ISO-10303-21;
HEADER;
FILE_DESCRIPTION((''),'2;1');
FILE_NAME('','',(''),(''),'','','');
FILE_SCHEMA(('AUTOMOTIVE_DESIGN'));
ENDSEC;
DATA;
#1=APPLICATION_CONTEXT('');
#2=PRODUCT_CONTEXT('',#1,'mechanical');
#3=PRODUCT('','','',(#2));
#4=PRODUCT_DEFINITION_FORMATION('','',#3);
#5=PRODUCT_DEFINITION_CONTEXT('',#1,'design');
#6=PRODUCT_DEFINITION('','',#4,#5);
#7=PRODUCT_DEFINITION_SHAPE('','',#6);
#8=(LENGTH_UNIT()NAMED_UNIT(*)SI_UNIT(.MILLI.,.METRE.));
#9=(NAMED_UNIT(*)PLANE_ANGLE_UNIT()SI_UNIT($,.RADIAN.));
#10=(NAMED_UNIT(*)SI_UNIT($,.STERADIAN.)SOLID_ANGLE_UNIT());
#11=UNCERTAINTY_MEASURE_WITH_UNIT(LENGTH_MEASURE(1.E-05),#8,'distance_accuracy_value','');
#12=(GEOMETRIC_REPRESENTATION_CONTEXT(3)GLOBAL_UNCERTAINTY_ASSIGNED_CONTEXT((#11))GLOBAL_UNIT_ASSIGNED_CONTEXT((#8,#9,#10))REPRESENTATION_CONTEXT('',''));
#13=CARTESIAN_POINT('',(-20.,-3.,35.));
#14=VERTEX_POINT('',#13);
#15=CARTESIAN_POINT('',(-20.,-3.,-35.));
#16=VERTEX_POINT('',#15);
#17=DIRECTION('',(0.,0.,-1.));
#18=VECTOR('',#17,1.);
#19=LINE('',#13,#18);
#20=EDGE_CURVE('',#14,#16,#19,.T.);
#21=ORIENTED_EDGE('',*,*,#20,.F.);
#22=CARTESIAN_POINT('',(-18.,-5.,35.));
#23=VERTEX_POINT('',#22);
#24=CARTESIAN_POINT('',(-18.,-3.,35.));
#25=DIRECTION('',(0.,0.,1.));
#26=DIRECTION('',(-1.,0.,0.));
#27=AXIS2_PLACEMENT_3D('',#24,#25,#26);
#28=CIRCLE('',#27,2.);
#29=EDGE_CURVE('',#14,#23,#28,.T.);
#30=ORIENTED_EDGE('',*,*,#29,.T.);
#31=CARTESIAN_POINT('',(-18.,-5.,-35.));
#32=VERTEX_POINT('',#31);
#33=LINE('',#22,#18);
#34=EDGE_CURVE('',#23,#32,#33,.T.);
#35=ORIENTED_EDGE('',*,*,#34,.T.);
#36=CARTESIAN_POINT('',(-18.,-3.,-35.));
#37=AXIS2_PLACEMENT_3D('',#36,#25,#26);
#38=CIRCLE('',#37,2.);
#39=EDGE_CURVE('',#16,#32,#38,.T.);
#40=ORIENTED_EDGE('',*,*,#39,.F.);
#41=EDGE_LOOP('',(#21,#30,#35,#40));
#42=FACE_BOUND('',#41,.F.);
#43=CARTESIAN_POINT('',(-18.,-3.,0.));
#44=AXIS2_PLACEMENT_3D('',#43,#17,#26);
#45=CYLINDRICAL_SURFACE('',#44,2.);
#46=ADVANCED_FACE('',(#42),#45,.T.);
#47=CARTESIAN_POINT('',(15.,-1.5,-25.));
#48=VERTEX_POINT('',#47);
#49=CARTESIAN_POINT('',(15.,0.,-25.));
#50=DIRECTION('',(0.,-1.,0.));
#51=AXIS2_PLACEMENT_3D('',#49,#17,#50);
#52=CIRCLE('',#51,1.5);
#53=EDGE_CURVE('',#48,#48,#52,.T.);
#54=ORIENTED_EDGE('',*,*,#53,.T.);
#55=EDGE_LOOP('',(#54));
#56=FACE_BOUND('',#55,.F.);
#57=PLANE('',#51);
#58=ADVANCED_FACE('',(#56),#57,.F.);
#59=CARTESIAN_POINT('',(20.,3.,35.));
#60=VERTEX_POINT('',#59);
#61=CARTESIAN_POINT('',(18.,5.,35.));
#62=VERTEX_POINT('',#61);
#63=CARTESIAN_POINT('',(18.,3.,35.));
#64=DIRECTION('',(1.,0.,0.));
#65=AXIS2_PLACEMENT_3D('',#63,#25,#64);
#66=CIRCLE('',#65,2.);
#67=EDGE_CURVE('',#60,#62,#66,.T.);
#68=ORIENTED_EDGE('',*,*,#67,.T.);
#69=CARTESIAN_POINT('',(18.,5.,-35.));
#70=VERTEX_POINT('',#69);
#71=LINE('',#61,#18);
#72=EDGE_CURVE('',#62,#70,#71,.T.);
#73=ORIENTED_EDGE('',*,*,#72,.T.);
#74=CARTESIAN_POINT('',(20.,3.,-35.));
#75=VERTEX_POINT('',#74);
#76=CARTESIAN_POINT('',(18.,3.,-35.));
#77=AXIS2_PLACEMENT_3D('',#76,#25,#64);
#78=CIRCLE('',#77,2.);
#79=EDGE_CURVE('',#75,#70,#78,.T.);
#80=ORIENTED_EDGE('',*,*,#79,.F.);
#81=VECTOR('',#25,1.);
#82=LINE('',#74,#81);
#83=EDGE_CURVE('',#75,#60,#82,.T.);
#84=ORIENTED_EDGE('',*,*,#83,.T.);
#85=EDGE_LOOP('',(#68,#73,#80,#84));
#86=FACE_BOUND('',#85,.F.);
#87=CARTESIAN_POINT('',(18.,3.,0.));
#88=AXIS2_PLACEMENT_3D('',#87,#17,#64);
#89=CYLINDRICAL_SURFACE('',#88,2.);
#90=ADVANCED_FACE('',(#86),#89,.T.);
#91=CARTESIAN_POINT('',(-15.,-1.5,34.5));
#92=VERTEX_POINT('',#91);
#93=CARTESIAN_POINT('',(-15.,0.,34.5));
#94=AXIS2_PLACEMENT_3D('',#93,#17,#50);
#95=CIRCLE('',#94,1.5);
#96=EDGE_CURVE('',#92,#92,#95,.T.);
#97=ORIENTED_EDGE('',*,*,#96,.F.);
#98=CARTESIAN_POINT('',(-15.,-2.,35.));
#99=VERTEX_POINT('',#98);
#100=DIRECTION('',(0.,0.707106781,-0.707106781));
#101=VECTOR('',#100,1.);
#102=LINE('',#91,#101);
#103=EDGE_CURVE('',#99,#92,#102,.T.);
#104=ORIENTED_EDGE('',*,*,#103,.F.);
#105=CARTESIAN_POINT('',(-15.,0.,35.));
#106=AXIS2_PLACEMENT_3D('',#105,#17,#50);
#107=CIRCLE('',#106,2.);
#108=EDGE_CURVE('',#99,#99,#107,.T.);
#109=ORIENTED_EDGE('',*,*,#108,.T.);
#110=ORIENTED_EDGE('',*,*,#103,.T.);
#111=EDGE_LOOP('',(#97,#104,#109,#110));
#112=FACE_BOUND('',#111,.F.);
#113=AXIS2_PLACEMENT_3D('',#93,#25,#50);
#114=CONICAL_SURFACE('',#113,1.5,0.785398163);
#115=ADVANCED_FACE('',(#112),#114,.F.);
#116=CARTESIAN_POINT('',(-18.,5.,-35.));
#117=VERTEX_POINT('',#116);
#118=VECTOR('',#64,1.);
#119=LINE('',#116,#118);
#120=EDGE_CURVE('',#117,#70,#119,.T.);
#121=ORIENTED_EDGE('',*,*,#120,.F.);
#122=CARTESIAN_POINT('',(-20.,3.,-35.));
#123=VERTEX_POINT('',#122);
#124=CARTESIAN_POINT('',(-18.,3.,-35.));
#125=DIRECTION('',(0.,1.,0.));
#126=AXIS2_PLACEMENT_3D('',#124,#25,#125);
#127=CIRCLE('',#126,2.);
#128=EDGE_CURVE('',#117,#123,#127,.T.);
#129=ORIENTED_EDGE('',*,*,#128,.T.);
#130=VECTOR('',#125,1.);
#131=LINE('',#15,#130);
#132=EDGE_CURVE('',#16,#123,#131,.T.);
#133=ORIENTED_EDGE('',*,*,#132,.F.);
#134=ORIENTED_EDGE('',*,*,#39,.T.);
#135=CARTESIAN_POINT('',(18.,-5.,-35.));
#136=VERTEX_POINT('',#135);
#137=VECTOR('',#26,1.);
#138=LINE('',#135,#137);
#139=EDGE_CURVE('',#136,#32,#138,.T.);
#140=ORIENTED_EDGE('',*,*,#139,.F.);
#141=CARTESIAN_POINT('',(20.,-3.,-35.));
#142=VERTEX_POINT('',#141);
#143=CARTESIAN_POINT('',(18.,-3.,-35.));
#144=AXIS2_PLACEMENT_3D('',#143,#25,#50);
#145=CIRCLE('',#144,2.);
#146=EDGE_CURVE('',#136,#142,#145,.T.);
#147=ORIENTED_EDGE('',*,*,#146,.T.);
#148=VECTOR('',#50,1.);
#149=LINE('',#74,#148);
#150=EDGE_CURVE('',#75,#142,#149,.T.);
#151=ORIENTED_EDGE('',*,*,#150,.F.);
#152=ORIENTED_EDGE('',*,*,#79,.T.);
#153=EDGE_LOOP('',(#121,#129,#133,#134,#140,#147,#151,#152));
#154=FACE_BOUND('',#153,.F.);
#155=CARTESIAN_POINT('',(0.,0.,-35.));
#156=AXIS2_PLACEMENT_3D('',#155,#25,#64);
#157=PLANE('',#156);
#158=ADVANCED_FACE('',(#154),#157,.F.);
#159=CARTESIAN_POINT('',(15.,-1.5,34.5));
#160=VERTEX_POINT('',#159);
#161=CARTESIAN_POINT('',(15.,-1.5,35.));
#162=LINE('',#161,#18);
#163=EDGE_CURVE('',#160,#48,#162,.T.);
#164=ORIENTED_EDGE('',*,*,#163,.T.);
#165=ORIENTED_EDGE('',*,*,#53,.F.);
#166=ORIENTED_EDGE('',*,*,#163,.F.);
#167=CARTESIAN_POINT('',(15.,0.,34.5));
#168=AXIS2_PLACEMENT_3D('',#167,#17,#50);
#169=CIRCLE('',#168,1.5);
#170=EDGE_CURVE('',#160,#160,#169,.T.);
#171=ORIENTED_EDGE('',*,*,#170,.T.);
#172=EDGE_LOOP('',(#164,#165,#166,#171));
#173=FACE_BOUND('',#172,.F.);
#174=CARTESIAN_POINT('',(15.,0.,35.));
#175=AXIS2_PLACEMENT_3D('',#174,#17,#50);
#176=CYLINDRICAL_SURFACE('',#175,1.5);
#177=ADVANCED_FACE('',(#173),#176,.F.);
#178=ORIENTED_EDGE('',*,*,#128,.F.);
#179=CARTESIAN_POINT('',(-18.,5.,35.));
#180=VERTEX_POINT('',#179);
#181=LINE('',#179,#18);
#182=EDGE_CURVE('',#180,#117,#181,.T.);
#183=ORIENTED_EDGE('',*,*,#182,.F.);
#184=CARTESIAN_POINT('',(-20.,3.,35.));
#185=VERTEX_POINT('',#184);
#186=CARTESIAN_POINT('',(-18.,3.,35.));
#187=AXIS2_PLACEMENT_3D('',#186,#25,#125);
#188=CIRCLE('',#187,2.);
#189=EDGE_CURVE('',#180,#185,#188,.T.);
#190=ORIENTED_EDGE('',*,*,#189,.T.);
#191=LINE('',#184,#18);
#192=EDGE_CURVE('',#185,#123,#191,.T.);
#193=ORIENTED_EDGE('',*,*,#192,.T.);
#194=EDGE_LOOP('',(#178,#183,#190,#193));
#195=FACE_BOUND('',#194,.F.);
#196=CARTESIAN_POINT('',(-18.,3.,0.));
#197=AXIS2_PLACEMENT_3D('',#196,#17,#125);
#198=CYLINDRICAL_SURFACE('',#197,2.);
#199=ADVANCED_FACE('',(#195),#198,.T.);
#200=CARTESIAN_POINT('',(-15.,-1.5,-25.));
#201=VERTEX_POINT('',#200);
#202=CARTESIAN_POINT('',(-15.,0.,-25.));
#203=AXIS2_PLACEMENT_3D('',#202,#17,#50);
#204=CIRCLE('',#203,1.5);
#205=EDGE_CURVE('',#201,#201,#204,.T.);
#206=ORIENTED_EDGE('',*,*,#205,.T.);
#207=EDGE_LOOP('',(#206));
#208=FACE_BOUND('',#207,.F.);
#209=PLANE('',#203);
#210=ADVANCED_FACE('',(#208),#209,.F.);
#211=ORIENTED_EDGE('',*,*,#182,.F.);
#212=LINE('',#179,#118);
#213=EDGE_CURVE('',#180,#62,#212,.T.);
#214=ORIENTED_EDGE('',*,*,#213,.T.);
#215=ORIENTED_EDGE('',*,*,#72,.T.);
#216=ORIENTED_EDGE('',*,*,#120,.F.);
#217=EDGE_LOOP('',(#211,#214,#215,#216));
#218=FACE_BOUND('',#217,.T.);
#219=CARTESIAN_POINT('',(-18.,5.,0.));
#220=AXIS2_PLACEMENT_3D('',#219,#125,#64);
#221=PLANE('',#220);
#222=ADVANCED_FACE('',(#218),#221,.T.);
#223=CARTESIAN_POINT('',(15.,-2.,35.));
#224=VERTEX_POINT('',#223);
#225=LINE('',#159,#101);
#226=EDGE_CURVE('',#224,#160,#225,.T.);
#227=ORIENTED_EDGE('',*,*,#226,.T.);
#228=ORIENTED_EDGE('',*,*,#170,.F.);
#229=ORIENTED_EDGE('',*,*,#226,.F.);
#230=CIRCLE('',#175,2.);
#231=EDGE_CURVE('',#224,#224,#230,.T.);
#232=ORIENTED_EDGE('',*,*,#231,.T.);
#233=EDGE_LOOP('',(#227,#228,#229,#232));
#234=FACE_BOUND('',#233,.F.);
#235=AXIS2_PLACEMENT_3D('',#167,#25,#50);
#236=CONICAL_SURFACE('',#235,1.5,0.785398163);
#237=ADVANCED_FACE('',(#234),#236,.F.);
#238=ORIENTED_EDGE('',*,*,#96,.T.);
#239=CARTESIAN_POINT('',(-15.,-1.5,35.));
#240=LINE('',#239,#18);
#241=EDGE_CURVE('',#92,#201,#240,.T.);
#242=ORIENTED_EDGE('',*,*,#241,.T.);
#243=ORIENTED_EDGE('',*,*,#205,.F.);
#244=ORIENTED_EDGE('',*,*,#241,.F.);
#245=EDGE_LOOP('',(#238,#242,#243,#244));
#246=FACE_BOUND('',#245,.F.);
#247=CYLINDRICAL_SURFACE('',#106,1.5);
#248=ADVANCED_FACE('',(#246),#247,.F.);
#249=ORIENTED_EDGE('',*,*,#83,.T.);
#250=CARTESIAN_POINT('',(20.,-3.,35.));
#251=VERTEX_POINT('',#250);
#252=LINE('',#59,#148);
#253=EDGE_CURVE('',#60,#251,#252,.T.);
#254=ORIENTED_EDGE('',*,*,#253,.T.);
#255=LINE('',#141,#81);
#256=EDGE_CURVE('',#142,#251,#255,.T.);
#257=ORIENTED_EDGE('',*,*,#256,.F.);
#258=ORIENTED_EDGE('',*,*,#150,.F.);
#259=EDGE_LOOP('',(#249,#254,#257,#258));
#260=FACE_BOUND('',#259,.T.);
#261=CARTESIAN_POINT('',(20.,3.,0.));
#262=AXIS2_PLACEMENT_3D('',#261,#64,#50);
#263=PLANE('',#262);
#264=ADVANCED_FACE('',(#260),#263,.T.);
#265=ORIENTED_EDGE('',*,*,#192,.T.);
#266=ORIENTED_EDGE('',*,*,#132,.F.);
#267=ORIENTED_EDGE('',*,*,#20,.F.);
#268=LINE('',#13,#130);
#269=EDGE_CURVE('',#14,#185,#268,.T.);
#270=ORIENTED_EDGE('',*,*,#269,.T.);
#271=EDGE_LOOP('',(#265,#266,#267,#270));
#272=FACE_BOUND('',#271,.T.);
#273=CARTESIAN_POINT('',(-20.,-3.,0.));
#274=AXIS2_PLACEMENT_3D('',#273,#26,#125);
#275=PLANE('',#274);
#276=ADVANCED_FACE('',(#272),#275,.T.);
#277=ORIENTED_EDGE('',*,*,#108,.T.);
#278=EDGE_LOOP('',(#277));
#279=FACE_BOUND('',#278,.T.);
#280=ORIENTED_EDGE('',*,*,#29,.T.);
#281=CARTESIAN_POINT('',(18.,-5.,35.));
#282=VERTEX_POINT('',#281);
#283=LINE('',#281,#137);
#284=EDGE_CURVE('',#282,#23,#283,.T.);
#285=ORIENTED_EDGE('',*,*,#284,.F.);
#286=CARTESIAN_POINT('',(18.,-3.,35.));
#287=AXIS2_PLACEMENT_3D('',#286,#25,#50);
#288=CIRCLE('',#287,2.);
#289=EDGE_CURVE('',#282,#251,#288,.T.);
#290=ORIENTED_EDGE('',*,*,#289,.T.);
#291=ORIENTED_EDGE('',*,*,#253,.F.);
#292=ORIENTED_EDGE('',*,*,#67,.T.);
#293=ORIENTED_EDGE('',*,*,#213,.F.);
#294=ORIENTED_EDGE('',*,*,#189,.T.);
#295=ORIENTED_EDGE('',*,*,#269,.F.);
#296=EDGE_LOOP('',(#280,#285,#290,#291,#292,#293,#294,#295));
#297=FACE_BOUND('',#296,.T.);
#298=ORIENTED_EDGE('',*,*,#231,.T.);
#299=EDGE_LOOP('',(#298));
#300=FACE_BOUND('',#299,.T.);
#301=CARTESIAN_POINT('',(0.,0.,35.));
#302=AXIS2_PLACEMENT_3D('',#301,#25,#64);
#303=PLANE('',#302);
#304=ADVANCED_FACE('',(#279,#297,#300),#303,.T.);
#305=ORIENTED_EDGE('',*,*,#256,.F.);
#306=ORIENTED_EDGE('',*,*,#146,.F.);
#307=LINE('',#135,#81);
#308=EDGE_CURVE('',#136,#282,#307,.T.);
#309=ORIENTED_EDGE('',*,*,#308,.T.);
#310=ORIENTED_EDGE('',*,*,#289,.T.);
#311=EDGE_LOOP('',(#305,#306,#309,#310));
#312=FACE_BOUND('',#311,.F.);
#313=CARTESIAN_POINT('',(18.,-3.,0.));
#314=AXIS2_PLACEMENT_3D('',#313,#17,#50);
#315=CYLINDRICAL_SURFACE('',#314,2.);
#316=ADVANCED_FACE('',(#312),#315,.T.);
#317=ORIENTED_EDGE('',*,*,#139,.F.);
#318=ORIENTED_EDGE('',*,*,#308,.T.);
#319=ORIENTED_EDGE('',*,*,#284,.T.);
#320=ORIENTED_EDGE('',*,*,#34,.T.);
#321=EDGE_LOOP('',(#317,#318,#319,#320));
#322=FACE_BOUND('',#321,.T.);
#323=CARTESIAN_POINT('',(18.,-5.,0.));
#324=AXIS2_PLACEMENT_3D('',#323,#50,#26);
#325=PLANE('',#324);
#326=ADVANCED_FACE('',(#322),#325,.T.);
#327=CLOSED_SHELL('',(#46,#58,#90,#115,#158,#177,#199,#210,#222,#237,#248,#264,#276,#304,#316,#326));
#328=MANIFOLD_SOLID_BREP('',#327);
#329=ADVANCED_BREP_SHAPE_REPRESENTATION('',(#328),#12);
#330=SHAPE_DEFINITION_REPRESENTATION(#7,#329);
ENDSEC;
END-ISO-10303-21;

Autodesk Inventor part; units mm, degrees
ref_plane "YZ Plane" through (0, 0, 0) normal (1, 0, 0) x (0, 1, 0)
ref_plane "XZ Plane" through (0, 0, 0) normal (0, 1, 0) x (-1, 0, 0)
ref_plane "XY Plane" through (0, 0, 0) normal (0, 0, 1) x (1, 0, 0)
sketch "Эскиз1" plane through (0, 0, 0) normal (0, 0, 1) x (1, 0, 0)
  line L0 (18, -5) -> (-18, -5)
  line L1 (-20, -3) -> (-20, 3)
  line L2 (-18, 5) -> (18, 5)
  line L3 (20, 3) -> (20, -3)
  line L4 (20, -5) -> (-20, 5) construction
  line L5 (-20, -5) -> (20, 5) construction
  arc A0 (-18, 5) -> (-20, 3) centre (-18, 3) ccw
  arc A1 (-20, -3) -> (-18, -5) centre (-18, -3) ccw
  arc A2 (20, 3) -> (18, 5) centre (18, 3) ccw
  arc A3 (18, -5) -> (20, -3) centre (18, -3) ccw
  point P0 (0, 0)
  dimension "d0" = 40
  dimension "d1" = 10
  dimension "d2" = 2
extrude "Выдавливание1" add sketch "Эскиз1" along normal mid plane 70
sketch "Эскиз2" plane through (0, 0, 35) normal (0, 0, 1) x (1, 0, 0)
  line L0 (0, 0) -> (0, 11.0353) construction
  point P0 (-15, 0)
  point P1 (15, 0)
  dimension "d5" = 30
hole "Отверстие1" at (-15, 0, 35) at (15, 0, 35) direction (0, 0, -1) diameter 3 depth 60
chamfer "Фаска1" distance 0.5 angle 45 2 edges at (-15, 1.5, 35) (15, 1.5, 35)
properties part number "Стенка БСП"
